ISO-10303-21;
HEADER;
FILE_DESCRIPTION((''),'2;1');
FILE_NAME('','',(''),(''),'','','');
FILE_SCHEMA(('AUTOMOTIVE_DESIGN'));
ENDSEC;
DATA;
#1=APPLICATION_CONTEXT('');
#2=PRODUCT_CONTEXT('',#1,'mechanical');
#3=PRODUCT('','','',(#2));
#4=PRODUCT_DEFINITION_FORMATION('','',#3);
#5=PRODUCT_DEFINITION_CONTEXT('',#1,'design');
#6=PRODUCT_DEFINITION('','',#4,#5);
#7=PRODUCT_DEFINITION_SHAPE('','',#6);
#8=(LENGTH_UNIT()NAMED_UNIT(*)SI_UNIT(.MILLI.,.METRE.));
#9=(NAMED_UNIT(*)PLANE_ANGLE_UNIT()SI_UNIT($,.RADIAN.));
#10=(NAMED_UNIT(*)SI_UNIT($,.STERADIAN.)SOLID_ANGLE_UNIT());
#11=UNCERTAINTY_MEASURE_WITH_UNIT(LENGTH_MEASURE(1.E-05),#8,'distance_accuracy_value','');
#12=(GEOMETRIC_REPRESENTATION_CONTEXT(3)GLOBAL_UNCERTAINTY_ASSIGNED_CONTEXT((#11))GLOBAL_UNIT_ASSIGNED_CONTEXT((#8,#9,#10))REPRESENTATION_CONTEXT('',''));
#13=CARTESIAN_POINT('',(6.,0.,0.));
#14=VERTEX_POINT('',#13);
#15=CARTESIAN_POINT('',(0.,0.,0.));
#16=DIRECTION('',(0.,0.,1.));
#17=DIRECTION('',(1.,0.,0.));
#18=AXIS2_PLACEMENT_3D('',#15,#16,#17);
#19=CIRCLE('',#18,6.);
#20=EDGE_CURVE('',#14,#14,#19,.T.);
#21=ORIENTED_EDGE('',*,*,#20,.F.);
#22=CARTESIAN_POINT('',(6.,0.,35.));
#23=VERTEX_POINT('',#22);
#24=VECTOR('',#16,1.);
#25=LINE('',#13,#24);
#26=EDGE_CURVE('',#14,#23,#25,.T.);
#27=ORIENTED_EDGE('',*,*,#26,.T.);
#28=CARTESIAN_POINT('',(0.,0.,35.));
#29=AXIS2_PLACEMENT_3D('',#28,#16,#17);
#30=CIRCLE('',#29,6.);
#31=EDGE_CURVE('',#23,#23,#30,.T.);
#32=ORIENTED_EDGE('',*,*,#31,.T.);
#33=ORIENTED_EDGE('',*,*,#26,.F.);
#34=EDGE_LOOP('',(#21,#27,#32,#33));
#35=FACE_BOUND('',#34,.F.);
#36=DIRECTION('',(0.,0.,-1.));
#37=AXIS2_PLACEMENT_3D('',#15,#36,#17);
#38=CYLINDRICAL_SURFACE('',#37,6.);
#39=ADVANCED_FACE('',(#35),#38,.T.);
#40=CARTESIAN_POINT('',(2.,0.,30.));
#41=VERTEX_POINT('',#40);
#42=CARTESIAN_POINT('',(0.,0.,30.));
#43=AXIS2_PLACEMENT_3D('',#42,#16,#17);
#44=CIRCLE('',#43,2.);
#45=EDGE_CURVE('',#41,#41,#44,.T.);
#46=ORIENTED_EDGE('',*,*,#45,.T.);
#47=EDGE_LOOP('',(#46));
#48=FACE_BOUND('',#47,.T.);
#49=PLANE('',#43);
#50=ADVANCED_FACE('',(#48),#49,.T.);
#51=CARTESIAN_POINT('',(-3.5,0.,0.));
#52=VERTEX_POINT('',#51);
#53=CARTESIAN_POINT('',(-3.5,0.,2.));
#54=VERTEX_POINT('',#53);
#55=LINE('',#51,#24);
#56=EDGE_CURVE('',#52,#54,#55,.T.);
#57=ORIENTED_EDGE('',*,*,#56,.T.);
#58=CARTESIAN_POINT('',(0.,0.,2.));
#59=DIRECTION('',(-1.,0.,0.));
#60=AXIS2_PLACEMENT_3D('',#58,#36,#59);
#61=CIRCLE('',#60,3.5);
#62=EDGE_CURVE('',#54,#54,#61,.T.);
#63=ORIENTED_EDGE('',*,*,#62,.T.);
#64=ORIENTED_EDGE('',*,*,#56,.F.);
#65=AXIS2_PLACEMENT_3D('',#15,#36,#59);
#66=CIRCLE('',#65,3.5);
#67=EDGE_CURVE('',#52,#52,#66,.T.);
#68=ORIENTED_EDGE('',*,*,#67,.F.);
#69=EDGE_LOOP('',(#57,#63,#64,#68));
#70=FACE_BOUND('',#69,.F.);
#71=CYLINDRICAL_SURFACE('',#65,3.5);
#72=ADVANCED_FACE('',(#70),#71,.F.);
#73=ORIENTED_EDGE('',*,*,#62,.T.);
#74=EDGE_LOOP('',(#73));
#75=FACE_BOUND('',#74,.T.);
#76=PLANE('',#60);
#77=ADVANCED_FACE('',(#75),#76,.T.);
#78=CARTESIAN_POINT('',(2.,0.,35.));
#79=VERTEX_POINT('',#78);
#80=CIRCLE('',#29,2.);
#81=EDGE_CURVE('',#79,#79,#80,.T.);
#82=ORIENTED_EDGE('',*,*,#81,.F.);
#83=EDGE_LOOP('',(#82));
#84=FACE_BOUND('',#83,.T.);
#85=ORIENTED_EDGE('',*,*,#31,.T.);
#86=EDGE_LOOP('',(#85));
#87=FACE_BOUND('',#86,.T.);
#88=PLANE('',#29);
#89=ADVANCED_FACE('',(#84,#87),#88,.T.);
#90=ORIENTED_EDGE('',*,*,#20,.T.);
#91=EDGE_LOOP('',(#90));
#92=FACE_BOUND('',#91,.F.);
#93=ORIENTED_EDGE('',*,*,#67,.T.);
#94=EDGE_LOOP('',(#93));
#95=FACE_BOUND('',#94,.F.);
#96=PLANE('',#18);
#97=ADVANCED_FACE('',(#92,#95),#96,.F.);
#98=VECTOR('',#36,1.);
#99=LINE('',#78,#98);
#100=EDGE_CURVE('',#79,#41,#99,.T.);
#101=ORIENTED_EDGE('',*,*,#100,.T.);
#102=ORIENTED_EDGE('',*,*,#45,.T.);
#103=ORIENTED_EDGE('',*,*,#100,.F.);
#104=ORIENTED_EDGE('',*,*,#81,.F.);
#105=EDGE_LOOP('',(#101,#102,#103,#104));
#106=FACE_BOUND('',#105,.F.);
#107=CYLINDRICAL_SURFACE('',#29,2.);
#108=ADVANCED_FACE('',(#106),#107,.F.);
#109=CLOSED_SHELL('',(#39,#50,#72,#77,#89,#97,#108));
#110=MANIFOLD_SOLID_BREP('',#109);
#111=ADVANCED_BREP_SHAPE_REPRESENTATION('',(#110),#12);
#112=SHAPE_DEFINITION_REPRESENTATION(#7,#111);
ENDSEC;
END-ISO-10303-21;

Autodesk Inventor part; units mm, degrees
ref_plane "YZ Plane" through (0, 0, 0) normal (1, 0, 0) x (0, 1, 0)
ref_plane "XZ Plane" through (0, 0, 0) normal (0, 1, 0) x (-1, 0, 0)
ref_plane "XY Plane" through (0, 0, 0) normal (0, 0, 1) x (1, 0, 0)
sketch "Sketch1" plane through (0, 0, 0) normal (0, 0, 1) x (1, 0, 0)
  circle A0 centre (0, 0) radius 6
  dimension "d0" = 12
extrude "Extrusion1" add sketch "Sketch1" along normal blind 35
sketch "Sketch2" plane through (0, 0, 35) normal (0, 0, 1) x (1, 0, 0)
  circle A0 centre (0, 0) radius 2
  circle A1 centre (0, 0) radius 6 projected
  dimension "d3" = 4
extrude "Extrusion2" cut sketch "Sketch2" against normal blind 5 contours A0
sketch "Sketch3" plane through (0, 0, 0) normal (0, 0, -1) x (-1, 0, 0)
  circle A0 centre (0, 0) radius 3.5
  dimension "d6" = 7
extrude "Extrusion3" cut sketch "Sketch3" against normal blind 2
properties part number "Laser" material "Aluminum 6061"
